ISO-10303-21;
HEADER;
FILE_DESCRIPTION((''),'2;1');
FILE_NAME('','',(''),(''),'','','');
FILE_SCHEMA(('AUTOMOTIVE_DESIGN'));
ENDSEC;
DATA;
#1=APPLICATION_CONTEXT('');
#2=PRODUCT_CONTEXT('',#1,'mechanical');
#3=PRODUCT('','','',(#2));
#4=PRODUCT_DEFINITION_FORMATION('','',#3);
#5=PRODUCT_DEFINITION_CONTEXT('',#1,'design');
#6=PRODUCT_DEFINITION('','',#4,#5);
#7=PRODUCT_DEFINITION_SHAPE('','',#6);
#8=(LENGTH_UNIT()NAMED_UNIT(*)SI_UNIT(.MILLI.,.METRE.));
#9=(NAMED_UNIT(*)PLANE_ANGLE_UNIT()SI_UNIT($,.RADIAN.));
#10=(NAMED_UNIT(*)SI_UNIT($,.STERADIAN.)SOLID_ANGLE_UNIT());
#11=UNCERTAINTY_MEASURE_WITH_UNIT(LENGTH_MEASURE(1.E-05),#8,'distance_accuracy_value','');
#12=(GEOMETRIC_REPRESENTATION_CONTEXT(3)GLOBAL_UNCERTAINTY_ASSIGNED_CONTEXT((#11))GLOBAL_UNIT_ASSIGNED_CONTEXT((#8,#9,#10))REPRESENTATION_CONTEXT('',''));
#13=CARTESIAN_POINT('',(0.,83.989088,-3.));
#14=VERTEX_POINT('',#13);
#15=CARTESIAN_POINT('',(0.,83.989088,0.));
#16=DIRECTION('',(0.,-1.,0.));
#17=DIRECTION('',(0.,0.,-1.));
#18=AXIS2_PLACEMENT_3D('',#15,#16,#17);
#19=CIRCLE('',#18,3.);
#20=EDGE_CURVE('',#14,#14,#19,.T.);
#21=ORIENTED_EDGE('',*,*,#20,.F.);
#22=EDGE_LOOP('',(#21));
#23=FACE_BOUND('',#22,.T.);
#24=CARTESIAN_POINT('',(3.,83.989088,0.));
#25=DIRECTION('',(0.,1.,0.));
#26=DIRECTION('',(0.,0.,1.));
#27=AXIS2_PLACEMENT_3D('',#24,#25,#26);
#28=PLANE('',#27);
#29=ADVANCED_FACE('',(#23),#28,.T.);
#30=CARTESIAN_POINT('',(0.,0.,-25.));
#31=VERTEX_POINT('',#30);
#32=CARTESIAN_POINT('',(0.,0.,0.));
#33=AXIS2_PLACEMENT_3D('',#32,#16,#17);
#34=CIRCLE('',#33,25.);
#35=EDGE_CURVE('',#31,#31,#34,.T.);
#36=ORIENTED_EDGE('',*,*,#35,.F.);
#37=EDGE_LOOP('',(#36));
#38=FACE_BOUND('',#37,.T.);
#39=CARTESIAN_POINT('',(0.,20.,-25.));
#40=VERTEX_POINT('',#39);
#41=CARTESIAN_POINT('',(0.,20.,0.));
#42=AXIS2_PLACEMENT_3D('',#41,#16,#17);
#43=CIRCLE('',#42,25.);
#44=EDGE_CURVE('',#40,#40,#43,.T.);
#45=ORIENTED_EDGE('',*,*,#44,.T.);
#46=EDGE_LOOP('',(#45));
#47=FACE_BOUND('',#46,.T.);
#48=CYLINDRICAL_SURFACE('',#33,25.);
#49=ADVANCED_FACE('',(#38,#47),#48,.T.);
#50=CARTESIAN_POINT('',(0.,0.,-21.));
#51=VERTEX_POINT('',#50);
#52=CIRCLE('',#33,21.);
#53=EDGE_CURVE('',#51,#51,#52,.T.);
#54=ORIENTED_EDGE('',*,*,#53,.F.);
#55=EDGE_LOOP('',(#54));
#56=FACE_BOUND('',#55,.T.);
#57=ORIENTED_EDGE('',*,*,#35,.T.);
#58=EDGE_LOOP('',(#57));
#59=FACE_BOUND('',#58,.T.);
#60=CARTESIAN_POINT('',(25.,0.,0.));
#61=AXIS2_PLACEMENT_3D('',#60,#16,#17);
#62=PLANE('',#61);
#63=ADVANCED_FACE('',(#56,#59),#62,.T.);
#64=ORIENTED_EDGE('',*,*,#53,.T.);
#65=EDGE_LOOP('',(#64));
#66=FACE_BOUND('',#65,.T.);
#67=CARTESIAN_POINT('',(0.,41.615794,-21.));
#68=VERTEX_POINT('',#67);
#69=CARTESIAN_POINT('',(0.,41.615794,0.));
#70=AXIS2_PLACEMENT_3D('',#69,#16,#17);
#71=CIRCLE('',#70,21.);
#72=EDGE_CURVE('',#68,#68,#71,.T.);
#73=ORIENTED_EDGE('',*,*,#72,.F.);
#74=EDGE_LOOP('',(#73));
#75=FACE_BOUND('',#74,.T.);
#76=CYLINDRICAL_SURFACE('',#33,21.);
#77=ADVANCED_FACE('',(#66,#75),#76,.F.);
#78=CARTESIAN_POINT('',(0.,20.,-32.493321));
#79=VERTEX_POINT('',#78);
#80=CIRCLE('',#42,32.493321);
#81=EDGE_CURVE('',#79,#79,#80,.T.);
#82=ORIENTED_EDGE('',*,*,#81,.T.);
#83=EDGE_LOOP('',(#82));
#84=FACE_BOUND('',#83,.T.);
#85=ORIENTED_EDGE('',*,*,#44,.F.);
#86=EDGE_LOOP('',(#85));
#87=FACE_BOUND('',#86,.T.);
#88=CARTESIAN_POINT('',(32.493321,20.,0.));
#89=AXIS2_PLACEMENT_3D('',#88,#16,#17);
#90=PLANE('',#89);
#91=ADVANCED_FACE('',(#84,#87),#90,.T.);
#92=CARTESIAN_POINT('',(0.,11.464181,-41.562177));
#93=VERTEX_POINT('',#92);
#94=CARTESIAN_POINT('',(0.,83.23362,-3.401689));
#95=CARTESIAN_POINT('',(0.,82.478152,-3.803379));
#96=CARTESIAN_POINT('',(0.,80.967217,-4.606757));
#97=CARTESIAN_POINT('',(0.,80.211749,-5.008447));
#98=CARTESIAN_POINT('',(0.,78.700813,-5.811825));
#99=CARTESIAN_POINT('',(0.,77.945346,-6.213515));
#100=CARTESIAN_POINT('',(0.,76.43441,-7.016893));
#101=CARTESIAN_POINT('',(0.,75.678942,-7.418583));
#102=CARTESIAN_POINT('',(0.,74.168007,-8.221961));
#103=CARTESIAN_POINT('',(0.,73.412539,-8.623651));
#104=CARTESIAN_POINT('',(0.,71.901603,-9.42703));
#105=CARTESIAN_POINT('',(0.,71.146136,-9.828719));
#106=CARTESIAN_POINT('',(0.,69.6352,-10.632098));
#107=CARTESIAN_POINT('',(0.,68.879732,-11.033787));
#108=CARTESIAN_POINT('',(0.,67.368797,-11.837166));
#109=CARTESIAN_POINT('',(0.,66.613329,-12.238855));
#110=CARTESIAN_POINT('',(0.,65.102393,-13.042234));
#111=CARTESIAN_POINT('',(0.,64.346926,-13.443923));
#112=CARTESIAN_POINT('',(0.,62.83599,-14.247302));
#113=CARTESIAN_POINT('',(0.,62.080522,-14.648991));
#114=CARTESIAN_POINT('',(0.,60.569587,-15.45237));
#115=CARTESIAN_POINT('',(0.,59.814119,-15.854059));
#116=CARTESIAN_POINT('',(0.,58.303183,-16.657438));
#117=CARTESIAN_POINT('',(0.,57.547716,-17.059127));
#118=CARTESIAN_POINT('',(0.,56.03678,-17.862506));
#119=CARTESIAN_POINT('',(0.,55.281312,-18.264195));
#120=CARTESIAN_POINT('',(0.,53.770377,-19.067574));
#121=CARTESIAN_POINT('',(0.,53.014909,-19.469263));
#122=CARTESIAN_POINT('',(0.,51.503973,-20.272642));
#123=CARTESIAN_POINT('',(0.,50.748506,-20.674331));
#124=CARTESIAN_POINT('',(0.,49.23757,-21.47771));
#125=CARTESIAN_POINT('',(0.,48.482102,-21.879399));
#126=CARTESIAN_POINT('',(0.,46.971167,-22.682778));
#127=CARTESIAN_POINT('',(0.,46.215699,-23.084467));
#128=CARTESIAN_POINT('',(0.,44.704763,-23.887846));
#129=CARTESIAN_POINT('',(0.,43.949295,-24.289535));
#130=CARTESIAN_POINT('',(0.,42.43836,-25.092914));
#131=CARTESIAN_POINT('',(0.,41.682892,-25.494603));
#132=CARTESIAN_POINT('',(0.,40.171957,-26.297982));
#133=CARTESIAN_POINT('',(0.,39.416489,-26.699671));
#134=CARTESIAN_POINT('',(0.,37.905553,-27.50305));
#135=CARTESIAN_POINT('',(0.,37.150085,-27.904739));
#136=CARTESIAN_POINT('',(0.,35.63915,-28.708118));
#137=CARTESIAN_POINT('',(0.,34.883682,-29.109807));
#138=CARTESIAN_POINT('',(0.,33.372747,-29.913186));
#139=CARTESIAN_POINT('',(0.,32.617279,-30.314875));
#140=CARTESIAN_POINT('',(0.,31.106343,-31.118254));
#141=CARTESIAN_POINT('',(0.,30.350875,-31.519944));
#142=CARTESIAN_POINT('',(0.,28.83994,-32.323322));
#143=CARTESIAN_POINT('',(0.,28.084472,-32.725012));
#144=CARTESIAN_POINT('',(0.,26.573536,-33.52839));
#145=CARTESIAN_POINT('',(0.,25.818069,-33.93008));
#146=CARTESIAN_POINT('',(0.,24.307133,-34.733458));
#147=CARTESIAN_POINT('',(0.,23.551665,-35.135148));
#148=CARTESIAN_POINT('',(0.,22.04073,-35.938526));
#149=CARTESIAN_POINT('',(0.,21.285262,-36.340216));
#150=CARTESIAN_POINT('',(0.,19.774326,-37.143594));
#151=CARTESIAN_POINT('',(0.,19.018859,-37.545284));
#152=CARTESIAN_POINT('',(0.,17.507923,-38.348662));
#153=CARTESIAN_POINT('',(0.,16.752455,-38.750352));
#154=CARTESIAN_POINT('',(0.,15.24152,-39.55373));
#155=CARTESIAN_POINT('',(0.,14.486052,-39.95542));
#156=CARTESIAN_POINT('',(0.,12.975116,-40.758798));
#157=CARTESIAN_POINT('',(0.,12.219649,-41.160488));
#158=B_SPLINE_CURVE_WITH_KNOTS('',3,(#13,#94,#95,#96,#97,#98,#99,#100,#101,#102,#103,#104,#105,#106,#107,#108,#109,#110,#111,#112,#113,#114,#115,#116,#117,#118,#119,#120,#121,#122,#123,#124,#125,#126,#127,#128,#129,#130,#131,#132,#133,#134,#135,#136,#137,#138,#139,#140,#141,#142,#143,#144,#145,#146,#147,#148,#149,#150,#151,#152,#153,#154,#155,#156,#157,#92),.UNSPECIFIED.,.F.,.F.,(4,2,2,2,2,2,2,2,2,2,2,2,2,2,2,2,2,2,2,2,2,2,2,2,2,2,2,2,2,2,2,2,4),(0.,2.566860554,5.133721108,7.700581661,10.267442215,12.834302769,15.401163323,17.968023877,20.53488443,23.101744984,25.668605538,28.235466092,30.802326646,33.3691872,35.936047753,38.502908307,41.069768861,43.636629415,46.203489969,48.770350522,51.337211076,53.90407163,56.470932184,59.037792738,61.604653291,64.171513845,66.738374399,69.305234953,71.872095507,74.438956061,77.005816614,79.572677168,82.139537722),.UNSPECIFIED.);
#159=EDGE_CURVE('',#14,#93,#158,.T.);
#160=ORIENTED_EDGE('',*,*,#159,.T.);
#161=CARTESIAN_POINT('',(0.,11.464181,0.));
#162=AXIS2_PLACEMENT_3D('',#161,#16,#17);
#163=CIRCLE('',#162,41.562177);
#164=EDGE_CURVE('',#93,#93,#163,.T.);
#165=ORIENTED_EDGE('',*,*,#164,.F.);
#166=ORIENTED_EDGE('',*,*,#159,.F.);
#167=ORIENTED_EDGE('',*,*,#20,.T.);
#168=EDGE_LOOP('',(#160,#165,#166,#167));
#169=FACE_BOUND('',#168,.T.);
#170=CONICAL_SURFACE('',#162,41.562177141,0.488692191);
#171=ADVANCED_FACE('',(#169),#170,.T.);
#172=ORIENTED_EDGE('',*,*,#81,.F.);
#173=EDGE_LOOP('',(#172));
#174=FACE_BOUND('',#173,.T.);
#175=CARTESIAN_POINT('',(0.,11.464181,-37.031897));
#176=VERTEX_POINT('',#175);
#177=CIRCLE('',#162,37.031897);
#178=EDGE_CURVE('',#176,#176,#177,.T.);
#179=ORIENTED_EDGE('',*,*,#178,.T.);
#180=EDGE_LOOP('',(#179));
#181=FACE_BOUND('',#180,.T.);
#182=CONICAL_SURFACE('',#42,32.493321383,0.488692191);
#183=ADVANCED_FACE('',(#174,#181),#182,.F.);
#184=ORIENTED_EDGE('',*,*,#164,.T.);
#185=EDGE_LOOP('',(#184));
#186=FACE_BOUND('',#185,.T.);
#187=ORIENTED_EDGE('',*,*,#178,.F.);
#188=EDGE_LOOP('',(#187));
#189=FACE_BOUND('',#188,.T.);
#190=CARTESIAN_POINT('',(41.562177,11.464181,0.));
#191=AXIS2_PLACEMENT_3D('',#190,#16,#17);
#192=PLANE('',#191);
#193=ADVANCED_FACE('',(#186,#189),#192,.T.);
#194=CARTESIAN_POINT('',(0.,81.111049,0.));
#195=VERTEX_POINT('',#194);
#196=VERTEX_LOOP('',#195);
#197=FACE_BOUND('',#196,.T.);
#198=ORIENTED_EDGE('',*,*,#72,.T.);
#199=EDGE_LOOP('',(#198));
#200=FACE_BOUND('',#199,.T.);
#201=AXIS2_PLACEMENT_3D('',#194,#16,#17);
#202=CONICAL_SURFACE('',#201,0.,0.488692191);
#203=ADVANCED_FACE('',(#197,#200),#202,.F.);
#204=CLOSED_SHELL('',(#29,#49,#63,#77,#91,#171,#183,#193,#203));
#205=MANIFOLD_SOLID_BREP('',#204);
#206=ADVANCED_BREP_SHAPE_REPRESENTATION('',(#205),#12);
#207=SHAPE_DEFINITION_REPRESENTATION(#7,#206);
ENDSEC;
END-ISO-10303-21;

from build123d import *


with BuildPart() as part:
    # Esquisse1 → Révolution1 (revolve)
    with BuildSketch(Plane.XY, mode=Mode.PRIVATE) as r_volution1_sk:
        Polygon((21, 0), (21, 41.615793699), (0, 81.111049471), (0, 83.989087948), (3, 83.989087948), (41.562177141, 11.464180838), (37.031896938, 11.464180838), (32.493321383, 20), (25, 20), (25, 0), align=None)
    revolve(r_volution1_sk.sketch.rotate(Axis((0, 0, 0), (0, 1, 0)), 90), axis=Axis((0, 0, 0), (0, 1, 0)))


solid = part.part
